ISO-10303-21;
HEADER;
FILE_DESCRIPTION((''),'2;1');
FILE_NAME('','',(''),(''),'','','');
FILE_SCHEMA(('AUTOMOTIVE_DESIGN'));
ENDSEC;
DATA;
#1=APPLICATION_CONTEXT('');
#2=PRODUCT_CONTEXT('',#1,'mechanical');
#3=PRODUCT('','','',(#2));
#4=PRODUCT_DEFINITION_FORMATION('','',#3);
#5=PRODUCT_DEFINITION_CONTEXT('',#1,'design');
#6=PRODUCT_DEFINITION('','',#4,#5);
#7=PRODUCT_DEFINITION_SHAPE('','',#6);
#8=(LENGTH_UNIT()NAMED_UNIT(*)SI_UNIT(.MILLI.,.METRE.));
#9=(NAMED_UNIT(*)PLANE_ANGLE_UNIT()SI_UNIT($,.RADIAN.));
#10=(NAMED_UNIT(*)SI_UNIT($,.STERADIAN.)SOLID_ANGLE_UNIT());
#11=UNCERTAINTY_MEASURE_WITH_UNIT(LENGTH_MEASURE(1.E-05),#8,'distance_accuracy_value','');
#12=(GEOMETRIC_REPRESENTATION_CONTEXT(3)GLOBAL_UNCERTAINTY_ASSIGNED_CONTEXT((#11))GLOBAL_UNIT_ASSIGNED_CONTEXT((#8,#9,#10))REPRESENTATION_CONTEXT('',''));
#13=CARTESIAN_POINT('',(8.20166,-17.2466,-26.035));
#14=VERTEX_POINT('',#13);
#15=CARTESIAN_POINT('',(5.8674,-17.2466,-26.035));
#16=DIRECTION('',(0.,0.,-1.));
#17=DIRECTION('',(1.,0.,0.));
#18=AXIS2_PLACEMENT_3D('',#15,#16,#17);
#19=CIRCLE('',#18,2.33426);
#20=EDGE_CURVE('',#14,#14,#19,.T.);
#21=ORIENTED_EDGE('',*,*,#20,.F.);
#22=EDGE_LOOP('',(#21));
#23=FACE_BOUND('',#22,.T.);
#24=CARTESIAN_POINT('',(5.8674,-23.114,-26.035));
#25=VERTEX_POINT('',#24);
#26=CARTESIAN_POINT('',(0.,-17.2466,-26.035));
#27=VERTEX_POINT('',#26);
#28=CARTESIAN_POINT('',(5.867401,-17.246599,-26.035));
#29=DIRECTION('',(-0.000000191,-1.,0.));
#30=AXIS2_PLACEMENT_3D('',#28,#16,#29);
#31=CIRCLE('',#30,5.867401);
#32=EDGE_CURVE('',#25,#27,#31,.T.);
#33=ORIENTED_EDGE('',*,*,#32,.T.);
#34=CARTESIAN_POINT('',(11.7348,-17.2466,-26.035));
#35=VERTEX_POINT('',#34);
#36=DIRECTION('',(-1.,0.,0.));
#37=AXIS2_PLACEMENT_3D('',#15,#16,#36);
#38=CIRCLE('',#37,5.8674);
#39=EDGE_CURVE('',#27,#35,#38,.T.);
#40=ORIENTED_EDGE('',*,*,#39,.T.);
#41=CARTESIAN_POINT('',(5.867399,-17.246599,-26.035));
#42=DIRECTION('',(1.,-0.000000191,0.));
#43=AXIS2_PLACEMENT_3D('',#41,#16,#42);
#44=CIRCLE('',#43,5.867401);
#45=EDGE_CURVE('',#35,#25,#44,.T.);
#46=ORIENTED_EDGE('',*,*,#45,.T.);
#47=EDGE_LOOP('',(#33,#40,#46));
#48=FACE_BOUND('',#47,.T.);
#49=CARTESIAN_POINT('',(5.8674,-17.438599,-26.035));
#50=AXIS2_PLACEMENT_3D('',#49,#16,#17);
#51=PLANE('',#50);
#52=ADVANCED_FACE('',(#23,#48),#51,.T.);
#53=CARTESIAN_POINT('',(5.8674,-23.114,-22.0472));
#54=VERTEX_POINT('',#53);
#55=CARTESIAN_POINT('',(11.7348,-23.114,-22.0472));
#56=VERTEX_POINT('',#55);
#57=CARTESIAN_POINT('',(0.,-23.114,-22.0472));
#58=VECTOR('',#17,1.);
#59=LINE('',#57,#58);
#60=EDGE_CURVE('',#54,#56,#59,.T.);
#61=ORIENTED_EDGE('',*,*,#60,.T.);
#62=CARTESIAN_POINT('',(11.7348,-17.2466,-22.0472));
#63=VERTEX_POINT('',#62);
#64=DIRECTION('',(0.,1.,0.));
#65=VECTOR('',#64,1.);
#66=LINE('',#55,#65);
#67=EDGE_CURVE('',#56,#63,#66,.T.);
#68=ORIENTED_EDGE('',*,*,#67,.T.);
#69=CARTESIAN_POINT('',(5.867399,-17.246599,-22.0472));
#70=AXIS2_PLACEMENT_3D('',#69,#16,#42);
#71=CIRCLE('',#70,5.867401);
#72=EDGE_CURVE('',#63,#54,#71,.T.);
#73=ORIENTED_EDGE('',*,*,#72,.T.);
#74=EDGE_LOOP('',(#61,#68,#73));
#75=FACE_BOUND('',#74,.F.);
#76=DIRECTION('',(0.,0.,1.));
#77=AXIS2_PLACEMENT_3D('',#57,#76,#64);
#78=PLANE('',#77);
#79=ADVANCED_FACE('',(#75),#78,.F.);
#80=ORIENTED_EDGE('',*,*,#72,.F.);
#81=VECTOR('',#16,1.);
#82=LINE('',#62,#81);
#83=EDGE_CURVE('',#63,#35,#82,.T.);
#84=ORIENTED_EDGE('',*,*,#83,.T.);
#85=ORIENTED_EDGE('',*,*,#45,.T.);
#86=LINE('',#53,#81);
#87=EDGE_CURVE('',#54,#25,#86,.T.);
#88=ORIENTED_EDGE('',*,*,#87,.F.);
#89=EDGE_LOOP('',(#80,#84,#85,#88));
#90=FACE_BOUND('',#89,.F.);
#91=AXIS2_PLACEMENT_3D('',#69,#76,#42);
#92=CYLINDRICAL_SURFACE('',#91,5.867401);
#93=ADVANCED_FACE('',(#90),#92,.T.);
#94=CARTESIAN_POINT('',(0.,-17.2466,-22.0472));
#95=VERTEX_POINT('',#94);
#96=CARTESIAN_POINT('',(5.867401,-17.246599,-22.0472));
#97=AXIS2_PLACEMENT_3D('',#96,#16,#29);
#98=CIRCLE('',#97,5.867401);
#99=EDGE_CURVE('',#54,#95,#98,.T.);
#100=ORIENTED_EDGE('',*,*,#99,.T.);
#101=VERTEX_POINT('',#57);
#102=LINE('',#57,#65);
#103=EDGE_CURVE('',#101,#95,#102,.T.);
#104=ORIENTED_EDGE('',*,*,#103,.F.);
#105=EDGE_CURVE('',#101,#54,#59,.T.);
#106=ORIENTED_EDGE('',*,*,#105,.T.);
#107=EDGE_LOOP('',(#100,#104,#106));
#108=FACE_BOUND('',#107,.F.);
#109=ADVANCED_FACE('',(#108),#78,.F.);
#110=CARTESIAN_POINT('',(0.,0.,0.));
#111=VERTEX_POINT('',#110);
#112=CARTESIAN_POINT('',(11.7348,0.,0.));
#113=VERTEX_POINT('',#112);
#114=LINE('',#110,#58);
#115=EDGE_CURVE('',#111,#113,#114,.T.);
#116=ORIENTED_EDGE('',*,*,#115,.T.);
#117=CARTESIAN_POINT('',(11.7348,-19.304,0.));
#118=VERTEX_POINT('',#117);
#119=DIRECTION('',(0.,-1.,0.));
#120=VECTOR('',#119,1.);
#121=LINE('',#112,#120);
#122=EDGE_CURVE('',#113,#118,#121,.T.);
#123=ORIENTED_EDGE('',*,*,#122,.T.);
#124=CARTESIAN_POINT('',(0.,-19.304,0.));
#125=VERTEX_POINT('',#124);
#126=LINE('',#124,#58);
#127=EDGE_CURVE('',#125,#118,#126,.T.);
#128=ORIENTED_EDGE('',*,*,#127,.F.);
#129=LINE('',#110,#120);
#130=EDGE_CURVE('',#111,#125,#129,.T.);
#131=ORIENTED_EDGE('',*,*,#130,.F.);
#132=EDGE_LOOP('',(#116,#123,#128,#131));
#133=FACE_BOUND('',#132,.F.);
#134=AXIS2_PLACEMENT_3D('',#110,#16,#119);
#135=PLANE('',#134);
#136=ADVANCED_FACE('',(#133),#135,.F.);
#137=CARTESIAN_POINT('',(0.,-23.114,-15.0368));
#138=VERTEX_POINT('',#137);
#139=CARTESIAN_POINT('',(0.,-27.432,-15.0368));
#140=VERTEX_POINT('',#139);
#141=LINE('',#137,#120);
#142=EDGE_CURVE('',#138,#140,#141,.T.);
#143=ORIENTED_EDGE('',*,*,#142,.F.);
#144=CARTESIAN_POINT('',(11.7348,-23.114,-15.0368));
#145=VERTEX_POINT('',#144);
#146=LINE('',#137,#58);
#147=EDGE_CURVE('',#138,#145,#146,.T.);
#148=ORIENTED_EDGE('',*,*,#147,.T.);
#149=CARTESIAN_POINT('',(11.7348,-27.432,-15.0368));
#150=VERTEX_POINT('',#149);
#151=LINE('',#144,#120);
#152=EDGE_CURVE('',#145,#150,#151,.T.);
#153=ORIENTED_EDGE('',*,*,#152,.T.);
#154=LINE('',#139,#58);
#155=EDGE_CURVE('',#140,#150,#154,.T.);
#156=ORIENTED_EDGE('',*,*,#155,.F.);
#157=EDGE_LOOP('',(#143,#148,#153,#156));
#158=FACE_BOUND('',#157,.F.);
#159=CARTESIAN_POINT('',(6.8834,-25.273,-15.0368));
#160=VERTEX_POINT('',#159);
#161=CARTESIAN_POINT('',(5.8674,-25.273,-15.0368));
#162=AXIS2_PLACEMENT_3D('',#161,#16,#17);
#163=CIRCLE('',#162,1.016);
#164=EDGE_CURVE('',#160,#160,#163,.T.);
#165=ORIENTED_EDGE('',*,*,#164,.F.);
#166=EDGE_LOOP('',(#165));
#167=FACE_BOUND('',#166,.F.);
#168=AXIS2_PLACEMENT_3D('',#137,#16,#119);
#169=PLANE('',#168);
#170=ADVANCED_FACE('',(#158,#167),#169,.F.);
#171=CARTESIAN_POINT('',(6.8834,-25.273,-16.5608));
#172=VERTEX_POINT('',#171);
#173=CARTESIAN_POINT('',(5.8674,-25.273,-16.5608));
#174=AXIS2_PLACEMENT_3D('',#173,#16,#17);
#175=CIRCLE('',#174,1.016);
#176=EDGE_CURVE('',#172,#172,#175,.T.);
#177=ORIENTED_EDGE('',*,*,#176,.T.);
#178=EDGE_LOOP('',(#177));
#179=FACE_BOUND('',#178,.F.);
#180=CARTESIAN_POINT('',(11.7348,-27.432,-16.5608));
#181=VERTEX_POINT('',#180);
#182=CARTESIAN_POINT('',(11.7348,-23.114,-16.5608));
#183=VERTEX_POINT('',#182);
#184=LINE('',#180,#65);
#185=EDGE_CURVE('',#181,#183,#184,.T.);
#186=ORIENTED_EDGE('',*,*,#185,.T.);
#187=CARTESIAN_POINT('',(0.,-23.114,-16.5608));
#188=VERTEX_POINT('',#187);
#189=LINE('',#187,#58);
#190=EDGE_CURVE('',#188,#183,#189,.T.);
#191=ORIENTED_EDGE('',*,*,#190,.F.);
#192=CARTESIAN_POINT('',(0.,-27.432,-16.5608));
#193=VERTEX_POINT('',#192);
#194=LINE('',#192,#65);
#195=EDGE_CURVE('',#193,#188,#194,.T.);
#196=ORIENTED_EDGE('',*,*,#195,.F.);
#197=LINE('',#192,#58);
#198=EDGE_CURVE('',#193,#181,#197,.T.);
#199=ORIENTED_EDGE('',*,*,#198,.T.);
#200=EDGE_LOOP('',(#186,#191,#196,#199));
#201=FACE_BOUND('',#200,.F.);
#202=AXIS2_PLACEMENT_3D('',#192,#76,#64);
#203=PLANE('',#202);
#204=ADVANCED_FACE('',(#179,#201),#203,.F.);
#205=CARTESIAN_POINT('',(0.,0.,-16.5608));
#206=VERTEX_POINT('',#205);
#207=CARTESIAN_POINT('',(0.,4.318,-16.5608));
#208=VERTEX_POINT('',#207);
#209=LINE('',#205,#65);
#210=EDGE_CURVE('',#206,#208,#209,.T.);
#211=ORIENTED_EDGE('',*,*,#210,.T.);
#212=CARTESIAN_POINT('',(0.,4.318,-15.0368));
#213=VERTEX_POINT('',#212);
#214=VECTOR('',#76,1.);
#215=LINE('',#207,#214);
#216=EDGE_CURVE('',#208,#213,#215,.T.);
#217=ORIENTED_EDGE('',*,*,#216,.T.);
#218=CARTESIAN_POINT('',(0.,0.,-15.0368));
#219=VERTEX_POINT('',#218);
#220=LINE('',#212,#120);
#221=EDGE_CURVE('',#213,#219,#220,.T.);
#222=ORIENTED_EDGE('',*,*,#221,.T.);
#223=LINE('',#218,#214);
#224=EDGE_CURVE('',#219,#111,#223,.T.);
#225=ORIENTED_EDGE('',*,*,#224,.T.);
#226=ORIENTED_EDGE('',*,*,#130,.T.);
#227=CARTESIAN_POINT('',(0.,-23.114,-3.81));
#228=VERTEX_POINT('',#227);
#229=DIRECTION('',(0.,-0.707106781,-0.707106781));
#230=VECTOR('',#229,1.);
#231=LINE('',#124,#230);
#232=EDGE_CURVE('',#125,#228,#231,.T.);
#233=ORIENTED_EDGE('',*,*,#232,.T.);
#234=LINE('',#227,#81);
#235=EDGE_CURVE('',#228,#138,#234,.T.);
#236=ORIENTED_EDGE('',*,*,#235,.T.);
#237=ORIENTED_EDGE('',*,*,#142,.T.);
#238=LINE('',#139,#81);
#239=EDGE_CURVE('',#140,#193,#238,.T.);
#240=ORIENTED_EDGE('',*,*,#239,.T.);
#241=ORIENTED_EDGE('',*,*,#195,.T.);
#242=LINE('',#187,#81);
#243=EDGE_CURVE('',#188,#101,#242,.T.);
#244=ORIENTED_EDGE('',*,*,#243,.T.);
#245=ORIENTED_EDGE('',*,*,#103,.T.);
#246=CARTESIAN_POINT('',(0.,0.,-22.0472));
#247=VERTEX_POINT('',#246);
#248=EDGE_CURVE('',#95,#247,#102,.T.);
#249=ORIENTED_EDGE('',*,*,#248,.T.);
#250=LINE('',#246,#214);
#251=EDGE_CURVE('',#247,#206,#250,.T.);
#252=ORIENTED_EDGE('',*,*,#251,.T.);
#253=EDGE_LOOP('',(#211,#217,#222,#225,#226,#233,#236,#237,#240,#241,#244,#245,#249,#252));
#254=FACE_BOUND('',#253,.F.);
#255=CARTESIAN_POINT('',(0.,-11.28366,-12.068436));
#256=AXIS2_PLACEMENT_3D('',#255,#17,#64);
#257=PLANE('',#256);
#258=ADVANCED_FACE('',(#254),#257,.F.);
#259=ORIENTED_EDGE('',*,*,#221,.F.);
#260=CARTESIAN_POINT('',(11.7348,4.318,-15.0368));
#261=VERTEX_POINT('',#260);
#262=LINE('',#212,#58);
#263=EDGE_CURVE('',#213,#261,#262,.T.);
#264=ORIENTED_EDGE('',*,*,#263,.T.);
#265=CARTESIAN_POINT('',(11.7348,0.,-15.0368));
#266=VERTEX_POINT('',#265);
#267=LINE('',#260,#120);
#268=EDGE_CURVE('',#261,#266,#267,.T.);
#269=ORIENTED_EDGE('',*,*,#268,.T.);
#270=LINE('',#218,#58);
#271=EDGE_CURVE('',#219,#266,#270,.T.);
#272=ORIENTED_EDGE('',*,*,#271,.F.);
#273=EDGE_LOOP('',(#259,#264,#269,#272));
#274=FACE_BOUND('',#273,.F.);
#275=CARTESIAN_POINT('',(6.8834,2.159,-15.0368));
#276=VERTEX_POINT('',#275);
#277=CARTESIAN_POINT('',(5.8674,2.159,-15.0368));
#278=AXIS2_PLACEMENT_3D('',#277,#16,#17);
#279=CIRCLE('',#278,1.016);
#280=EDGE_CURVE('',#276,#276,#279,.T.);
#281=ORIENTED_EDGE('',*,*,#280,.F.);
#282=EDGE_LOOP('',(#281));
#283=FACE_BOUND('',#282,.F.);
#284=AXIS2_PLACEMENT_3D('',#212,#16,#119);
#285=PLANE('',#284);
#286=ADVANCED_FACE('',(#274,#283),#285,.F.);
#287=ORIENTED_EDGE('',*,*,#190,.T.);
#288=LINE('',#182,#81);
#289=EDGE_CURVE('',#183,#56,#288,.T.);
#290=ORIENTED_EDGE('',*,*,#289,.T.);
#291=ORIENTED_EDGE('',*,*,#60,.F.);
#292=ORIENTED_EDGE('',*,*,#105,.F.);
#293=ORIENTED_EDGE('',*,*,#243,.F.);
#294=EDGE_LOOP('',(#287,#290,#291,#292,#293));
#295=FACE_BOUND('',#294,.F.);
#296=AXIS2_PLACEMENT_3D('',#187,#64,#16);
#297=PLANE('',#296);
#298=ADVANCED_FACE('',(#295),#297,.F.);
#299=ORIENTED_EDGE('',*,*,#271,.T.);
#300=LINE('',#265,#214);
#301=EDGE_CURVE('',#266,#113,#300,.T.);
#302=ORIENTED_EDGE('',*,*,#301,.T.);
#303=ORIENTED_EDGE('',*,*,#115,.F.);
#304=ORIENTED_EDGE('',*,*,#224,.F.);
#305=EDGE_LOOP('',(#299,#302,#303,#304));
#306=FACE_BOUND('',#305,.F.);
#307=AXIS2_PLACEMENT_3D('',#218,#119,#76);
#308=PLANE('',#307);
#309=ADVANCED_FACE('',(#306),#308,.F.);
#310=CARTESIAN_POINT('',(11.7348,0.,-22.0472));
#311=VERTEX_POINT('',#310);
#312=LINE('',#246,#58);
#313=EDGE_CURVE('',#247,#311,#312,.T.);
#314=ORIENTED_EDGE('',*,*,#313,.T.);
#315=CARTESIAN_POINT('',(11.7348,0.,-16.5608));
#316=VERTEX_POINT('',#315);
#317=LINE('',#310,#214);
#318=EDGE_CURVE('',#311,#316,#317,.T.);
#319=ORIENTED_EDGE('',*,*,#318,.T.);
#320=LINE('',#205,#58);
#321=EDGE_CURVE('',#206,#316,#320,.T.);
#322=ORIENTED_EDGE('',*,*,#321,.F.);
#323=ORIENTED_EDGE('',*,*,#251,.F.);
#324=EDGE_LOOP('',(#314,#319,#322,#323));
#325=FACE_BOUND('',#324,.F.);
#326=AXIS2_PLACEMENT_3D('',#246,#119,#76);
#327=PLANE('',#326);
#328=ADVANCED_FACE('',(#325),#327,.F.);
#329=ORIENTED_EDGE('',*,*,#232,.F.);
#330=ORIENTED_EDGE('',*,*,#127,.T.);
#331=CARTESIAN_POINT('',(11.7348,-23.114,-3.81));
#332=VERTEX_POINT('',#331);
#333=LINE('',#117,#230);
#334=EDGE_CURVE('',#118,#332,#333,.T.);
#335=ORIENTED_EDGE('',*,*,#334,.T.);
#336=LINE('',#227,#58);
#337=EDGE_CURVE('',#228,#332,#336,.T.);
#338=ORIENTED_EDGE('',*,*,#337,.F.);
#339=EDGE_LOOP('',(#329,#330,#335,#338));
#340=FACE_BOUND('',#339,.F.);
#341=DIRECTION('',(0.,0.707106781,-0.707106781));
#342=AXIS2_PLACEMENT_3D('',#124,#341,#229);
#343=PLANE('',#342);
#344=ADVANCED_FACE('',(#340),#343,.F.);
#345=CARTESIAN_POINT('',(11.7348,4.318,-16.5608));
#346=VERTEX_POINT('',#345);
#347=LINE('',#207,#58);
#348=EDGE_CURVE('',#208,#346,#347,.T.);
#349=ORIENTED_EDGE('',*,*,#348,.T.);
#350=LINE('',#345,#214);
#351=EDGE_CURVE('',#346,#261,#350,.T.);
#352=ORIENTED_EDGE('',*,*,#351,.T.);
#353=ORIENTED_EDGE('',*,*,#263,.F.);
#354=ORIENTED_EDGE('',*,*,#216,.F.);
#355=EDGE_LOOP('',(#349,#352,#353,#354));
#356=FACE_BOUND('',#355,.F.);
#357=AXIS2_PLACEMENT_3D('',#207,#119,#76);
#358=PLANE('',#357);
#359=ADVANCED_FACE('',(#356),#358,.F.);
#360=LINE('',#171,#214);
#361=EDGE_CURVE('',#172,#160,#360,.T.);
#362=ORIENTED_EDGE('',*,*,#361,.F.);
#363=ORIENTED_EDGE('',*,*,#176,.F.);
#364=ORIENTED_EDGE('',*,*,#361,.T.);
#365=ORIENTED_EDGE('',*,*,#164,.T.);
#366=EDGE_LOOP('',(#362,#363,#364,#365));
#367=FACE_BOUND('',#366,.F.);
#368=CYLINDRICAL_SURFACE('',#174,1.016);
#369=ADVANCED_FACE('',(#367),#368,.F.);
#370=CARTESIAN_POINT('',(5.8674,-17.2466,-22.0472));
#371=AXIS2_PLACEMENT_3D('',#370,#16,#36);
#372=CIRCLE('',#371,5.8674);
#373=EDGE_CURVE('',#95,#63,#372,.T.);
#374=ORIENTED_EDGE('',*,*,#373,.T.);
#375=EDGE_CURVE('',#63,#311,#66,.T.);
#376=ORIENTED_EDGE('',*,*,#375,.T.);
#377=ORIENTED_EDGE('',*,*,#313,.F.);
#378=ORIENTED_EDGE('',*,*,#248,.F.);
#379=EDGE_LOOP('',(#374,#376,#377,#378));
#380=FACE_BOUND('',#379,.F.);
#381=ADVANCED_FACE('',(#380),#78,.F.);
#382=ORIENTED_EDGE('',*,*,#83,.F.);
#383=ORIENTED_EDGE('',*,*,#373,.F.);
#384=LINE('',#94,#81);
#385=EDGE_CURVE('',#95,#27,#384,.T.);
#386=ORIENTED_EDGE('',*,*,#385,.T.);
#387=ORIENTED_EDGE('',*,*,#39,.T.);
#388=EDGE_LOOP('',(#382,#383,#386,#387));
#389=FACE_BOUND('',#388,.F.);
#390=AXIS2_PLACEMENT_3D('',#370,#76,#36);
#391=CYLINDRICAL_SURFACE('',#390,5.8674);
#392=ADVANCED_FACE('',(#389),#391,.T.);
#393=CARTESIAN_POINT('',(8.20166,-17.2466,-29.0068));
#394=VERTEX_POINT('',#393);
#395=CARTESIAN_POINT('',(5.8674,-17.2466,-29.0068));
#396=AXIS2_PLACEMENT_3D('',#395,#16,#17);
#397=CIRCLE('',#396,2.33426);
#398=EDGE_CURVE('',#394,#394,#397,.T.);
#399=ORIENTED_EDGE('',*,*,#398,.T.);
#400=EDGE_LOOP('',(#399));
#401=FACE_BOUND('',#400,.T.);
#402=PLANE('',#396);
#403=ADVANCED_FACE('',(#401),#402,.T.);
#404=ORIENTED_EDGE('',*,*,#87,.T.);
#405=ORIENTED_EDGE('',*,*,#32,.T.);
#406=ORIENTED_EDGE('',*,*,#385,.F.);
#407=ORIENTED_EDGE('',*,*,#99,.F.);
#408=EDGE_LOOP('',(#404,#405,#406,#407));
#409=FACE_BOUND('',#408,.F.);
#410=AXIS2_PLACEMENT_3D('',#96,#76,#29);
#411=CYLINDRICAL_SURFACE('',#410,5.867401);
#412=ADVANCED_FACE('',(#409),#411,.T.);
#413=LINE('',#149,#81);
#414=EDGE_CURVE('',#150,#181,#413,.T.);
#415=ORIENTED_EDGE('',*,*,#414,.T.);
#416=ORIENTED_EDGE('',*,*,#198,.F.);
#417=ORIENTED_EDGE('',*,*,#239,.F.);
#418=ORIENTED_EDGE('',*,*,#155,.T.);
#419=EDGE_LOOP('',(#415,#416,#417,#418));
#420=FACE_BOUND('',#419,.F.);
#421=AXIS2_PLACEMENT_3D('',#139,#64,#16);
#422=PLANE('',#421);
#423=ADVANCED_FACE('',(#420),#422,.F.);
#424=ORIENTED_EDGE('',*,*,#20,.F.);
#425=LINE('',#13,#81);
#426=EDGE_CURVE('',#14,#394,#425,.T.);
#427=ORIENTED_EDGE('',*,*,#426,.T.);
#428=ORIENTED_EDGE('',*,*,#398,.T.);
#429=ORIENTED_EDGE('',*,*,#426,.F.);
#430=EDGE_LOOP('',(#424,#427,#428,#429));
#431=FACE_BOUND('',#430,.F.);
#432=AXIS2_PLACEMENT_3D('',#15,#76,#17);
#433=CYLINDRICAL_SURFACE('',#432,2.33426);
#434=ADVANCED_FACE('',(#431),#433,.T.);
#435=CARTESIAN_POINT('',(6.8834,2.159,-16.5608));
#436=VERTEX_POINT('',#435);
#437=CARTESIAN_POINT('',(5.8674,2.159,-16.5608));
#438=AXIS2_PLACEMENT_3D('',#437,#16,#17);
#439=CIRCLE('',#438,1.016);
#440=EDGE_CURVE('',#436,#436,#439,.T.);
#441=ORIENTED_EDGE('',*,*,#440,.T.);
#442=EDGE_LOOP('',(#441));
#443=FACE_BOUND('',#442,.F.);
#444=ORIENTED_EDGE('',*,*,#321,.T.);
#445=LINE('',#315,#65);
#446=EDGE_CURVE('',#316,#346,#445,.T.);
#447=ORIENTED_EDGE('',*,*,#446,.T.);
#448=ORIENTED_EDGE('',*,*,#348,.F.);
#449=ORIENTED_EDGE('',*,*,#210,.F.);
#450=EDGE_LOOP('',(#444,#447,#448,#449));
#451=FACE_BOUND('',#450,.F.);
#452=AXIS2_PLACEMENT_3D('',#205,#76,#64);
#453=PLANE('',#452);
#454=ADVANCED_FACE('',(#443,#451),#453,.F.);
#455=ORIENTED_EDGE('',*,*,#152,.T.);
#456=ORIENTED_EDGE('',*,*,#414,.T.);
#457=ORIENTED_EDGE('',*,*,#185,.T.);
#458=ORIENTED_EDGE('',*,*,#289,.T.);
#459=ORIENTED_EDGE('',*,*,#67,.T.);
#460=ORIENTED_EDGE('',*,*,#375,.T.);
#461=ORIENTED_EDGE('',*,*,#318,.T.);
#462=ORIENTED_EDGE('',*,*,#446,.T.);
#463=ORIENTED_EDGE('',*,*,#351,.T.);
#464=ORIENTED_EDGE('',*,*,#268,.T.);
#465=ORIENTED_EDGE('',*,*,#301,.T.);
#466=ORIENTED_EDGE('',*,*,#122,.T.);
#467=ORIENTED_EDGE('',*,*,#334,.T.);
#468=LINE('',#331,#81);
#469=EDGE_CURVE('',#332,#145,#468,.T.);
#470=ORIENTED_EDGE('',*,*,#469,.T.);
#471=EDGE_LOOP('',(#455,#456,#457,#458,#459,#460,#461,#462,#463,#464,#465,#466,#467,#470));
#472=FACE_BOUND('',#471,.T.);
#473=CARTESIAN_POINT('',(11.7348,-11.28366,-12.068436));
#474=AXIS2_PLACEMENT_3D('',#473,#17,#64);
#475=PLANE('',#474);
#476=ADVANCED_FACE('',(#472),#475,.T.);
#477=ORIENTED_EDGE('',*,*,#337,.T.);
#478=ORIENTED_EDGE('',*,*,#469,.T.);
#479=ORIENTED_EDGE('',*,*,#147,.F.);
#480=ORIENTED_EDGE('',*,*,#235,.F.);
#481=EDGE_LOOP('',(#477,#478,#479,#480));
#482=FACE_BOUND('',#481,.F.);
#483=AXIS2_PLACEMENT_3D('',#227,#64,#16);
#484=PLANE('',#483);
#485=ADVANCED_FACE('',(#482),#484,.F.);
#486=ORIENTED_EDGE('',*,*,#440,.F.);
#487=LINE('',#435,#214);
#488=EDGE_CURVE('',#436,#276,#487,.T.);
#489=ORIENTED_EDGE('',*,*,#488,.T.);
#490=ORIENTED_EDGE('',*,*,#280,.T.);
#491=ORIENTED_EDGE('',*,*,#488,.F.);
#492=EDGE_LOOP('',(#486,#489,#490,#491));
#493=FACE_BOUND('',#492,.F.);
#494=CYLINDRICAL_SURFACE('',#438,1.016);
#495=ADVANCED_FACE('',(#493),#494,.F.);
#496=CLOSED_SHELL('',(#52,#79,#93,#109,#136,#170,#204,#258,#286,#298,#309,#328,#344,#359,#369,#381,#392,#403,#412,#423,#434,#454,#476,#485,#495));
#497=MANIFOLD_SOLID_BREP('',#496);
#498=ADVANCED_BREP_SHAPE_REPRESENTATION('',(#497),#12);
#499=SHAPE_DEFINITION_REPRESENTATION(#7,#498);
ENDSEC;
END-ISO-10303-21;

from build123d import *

# Parameters (mm, degrees)
F1_DEPTH = 11.7348
F3_DEPTH = 3.9878
F4_R     = 2.33426
F5_DEPTH = 2.9718
F6_R     = 1.016
F7_DEPTH = 25.4


with BuildPart() as f1:
    # F0 (on Right) → F1 (new body)
    with BuildSketch(Plane.YZ):
        Polygon((0, -15.0368), (0, 0), (-19.304, 0), (-23.114, -3.81), (-23.114, -15.0368), (-27.432, -15.0368), (-27.432, -16.5608), (-23.114, -16.5608), (-23.114, -22.0472), (0, -22.0472), (0, -16.5608), (4.318, -16.5608), (4.318, -15.0368), align=None)
    extrude(amount=F1_DEPTH)

    # F2 (on face) → F3 (join)
    with BuildSketch(Plane(origin=(0, 0, -22.0472), x_dir=(1, 0, 0), z_dir=(0, 0, -1))):
        with BuildLine():
            ThreePointArc((0, 17.2466), (5.8674, 11.3792), (11.7348, 17.2466))
            ThreePointArc((11.7348, 17.2466), (10.016278, 21.395478), (5.8674, 23.114))
            ThreePointArc((5.8674, 23.114), (1.718522, 21.395478), (0, 17.2466))
        make_face()
    extrude(amount=F3_DEPTH)

    # F4 (on face) → F5 (join)
    with BuildSketch(Plane(origin=(0, 0, -26.035), x_dir=(1, 0, 0), z_dir=(0, 0, -1))):
        with Locations((5.8674, 17.2466)):
            Circle(F4_R)
    extrude(amount=F5_DEPTH)

    # F6 (on face) → F7 (cut)
    with BuildSketch(Plane(origin=(0, 0, -16.5608), x_dir=(1, 0, 0), z_dir=(0, 0, -1))):
        with Locations((5.8674, 25.273)):
            Circle(F6_R)
        with Locations((5.8674, -2.159)):
            Circle(F6_R)
    extrude(amount=-F7_DEPTH, mode=Mode.SUBTRACT)


solid = f1.part
